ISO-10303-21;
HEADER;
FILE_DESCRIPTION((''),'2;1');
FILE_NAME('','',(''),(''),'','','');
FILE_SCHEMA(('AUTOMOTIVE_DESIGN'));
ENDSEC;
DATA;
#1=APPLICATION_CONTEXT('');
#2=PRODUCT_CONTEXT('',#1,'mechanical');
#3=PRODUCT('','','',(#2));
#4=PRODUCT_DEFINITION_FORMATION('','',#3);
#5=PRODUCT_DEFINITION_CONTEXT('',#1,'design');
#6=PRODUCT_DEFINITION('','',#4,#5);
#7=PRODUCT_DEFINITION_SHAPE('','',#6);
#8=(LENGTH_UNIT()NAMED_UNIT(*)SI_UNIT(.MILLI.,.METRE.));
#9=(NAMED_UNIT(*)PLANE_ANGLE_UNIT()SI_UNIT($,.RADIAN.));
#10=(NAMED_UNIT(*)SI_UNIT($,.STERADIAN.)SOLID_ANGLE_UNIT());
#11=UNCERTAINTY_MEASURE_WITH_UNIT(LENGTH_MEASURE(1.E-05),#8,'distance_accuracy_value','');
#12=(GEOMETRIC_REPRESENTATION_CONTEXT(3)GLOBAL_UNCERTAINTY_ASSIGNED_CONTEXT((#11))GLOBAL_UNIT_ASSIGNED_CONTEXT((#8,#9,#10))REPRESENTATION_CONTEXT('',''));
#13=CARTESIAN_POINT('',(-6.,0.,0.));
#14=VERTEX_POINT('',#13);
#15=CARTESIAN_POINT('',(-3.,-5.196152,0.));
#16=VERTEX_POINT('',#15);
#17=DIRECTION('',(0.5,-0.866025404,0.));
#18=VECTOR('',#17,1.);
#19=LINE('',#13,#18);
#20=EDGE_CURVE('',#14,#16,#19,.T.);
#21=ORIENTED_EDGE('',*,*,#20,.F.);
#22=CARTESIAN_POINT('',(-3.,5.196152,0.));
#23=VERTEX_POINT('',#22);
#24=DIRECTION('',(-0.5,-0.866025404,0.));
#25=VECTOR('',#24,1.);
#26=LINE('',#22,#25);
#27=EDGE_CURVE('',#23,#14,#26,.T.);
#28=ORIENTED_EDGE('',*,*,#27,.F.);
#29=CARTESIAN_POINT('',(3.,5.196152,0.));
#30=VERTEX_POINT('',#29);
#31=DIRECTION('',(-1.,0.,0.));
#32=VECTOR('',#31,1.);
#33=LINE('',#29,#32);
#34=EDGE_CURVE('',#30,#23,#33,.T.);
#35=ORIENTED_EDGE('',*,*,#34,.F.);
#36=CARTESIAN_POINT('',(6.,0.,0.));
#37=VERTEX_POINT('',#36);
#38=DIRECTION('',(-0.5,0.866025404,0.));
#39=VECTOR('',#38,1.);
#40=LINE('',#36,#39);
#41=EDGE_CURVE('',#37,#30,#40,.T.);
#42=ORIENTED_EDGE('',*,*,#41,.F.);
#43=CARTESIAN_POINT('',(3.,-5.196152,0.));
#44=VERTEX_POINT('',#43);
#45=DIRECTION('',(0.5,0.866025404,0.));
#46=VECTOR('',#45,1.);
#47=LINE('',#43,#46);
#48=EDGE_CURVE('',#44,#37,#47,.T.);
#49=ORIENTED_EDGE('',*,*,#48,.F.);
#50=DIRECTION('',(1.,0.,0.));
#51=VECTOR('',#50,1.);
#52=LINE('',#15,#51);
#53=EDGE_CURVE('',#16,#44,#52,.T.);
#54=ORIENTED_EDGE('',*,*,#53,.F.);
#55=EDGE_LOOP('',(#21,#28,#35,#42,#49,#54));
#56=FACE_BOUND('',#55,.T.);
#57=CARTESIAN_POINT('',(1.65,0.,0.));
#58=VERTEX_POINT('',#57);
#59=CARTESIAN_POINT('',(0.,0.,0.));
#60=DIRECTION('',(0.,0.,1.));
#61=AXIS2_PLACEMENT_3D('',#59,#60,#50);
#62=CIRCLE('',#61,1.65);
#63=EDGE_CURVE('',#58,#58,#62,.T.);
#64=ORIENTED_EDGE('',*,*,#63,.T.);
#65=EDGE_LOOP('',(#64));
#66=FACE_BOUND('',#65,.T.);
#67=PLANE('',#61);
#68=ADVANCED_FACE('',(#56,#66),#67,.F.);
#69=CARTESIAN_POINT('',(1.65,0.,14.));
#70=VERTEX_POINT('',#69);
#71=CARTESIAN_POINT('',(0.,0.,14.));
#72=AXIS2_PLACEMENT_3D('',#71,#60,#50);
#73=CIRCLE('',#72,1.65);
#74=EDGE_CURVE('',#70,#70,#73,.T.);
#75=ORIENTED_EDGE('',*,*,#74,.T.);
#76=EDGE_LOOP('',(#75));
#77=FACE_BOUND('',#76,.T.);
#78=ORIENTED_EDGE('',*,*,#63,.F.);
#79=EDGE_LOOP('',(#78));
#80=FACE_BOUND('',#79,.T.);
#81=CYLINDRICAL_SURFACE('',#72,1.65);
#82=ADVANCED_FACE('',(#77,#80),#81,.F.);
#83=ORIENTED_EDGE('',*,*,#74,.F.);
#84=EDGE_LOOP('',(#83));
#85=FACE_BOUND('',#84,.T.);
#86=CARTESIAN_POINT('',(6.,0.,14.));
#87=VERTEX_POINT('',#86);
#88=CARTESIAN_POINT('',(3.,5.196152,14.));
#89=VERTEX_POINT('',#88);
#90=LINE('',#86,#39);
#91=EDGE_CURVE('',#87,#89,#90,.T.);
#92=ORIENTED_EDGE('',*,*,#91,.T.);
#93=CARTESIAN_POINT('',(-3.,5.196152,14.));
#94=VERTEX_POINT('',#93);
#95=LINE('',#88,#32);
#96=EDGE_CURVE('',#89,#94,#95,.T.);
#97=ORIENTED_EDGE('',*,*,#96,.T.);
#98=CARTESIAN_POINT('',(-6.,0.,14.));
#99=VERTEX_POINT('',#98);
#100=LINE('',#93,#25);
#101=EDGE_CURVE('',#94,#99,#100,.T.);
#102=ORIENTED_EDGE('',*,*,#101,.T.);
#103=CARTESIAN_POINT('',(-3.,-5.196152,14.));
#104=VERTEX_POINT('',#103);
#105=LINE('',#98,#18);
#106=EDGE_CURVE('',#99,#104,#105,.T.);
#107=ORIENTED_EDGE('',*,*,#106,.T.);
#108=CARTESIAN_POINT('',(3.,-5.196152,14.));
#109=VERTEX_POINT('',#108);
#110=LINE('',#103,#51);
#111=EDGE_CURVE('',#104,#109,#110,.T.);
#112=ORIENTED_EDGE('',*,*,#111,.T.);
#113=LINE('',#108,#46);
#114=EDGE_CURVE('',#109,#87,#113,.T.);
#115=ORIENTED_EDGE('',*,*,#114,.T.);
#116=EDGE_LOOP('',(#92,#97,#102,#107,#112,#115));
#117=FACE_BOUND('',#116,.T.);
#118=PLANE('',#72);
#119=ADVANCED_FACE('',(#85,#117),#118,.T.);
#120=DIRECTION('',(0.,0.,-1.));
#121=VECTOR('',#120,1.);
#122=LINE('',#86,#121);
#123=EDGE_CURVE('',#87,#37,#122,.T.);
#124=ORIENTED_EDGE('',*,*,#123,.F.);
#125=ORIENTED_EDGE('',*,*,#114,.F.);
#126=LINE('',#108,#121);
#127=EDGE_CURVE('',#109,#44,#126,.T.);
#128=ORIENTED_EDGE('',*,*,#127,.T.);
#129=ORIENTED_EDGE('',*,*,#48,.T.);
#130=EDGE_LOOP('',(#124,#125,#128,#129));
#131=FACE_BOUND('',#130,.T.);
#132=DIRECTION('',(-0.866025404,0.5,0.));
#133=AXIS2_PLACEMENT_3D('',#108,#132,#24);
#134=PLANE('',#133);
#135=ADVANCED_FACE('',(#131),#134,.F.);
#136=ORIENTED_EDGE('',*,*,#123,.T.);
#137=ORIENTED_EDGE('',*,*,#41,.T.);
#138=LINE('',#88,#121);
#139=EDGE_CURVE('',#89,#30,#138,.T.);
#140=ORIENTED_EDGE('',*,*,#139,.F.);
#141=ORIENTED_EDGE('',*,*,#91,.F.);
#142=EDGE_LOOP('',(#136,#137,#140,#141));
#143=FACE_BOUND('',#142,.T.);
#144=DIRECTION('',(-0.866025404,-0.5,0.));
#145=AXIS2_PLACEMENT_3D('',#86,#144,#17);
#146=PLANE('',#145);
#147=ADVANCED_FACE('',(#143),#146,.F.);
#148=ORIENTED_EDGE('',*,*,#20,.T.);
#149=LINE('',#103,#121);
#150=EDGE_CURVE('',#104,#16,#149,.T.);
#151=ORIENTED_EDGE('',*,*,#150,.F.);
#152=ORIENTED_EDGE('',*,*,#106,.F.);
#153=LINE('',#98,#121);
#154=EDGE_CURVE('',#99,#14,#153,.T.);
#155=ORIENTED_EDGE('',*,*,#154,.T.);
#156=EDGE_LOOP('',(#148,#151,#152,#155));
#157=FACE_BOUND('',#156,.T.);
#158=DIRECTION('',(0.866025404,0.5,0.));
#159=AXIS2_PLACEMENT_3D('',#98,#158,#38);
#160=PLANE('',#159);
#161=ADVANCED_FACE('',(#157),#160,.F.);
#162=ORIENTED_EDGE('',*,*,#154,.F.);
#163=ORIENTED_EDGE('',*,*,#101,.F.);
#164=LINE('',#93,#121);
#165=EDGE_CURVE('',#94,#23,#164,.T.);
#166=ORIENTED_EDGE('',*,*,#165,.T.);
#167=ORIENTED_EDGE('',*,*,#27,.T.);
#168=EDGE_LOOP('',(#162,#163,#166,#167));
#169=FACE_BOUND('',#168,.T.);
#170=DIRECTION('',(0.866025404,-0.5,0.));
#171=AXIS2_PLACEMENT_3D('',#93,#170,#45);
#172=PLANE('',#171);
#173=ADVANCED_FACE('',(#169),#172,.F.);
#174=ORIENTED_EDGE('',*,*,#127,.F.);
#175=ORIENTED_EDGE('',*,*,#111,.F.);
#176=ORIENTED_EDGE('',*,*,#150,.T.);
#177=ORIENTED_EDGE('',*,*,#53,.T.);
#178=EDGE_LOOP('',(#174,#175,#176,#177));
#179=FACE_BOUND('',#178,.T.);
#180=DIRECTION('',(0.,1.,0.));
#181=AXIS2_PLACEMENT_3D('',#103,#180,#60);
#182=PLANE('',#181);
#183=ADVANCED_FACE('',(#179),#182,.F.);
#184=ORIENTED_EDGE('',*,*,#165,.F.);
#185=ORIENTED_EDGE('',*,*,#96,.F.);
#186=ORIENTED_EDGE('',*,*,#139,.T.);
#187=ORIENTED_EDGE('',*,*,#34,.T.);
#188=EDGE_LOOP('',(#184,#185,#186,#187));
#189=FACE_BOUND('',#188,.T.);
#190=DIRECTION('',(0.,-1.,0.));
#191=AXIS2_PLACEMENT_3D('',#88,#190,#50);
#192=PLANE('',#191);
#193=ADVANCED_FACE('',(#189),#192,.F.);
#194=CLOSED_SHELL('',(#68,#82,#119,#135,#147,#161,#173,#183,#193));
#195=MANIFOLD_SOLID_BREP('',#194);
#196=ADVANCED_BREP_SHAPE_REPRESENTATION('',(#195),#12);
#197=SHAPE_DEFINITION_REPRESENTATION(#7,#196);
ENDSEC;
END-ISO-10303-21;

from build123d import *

# Parameters (mm, degrees)
EXTRUDE_1_DEPTH        = 14
HOLE_WIZARD_M4_2_D     = 3.3
HOLE_WIZARD_M4_2_DEPTH = 22.1
HOLE_WIZARD_M4_2_TIP   = 0.991420021


with BuildPart() as part:
    # 草图1 → 凸台-拉伸1 (new body)
    with BuildSketch(Plane.XY):
        Polygon((-3, 5.196152423), (-6, 0), (-3, -5.196152423), (3, -5.196152423), (6, 0), (3, 5.196152423), align=None)
    extrude(amount=EXTRUDE_1_DEPTH)

    # M4 螺纹孔2
    with Locations(Plane.XY.offset(14)):
        with Locations((0, 0)):
            Hole(HOLE_WIZARD_M4_2_D / 2, depth=HOLE_WIZARD_M4_2_DEPTH)
            with Locations((0, 0, -(HOLE_WIZARD_M4_2_DEPTH + HOLE_WIZARD_M4_2_TIP / 2))):  # 118° drill point
                Cone(0, HOLE_WIZARD_M4_2_D / 2, HOLE_WIZARD_M4_2_TIP, mode=Mode.SUBTRACT)


solid = part.part
